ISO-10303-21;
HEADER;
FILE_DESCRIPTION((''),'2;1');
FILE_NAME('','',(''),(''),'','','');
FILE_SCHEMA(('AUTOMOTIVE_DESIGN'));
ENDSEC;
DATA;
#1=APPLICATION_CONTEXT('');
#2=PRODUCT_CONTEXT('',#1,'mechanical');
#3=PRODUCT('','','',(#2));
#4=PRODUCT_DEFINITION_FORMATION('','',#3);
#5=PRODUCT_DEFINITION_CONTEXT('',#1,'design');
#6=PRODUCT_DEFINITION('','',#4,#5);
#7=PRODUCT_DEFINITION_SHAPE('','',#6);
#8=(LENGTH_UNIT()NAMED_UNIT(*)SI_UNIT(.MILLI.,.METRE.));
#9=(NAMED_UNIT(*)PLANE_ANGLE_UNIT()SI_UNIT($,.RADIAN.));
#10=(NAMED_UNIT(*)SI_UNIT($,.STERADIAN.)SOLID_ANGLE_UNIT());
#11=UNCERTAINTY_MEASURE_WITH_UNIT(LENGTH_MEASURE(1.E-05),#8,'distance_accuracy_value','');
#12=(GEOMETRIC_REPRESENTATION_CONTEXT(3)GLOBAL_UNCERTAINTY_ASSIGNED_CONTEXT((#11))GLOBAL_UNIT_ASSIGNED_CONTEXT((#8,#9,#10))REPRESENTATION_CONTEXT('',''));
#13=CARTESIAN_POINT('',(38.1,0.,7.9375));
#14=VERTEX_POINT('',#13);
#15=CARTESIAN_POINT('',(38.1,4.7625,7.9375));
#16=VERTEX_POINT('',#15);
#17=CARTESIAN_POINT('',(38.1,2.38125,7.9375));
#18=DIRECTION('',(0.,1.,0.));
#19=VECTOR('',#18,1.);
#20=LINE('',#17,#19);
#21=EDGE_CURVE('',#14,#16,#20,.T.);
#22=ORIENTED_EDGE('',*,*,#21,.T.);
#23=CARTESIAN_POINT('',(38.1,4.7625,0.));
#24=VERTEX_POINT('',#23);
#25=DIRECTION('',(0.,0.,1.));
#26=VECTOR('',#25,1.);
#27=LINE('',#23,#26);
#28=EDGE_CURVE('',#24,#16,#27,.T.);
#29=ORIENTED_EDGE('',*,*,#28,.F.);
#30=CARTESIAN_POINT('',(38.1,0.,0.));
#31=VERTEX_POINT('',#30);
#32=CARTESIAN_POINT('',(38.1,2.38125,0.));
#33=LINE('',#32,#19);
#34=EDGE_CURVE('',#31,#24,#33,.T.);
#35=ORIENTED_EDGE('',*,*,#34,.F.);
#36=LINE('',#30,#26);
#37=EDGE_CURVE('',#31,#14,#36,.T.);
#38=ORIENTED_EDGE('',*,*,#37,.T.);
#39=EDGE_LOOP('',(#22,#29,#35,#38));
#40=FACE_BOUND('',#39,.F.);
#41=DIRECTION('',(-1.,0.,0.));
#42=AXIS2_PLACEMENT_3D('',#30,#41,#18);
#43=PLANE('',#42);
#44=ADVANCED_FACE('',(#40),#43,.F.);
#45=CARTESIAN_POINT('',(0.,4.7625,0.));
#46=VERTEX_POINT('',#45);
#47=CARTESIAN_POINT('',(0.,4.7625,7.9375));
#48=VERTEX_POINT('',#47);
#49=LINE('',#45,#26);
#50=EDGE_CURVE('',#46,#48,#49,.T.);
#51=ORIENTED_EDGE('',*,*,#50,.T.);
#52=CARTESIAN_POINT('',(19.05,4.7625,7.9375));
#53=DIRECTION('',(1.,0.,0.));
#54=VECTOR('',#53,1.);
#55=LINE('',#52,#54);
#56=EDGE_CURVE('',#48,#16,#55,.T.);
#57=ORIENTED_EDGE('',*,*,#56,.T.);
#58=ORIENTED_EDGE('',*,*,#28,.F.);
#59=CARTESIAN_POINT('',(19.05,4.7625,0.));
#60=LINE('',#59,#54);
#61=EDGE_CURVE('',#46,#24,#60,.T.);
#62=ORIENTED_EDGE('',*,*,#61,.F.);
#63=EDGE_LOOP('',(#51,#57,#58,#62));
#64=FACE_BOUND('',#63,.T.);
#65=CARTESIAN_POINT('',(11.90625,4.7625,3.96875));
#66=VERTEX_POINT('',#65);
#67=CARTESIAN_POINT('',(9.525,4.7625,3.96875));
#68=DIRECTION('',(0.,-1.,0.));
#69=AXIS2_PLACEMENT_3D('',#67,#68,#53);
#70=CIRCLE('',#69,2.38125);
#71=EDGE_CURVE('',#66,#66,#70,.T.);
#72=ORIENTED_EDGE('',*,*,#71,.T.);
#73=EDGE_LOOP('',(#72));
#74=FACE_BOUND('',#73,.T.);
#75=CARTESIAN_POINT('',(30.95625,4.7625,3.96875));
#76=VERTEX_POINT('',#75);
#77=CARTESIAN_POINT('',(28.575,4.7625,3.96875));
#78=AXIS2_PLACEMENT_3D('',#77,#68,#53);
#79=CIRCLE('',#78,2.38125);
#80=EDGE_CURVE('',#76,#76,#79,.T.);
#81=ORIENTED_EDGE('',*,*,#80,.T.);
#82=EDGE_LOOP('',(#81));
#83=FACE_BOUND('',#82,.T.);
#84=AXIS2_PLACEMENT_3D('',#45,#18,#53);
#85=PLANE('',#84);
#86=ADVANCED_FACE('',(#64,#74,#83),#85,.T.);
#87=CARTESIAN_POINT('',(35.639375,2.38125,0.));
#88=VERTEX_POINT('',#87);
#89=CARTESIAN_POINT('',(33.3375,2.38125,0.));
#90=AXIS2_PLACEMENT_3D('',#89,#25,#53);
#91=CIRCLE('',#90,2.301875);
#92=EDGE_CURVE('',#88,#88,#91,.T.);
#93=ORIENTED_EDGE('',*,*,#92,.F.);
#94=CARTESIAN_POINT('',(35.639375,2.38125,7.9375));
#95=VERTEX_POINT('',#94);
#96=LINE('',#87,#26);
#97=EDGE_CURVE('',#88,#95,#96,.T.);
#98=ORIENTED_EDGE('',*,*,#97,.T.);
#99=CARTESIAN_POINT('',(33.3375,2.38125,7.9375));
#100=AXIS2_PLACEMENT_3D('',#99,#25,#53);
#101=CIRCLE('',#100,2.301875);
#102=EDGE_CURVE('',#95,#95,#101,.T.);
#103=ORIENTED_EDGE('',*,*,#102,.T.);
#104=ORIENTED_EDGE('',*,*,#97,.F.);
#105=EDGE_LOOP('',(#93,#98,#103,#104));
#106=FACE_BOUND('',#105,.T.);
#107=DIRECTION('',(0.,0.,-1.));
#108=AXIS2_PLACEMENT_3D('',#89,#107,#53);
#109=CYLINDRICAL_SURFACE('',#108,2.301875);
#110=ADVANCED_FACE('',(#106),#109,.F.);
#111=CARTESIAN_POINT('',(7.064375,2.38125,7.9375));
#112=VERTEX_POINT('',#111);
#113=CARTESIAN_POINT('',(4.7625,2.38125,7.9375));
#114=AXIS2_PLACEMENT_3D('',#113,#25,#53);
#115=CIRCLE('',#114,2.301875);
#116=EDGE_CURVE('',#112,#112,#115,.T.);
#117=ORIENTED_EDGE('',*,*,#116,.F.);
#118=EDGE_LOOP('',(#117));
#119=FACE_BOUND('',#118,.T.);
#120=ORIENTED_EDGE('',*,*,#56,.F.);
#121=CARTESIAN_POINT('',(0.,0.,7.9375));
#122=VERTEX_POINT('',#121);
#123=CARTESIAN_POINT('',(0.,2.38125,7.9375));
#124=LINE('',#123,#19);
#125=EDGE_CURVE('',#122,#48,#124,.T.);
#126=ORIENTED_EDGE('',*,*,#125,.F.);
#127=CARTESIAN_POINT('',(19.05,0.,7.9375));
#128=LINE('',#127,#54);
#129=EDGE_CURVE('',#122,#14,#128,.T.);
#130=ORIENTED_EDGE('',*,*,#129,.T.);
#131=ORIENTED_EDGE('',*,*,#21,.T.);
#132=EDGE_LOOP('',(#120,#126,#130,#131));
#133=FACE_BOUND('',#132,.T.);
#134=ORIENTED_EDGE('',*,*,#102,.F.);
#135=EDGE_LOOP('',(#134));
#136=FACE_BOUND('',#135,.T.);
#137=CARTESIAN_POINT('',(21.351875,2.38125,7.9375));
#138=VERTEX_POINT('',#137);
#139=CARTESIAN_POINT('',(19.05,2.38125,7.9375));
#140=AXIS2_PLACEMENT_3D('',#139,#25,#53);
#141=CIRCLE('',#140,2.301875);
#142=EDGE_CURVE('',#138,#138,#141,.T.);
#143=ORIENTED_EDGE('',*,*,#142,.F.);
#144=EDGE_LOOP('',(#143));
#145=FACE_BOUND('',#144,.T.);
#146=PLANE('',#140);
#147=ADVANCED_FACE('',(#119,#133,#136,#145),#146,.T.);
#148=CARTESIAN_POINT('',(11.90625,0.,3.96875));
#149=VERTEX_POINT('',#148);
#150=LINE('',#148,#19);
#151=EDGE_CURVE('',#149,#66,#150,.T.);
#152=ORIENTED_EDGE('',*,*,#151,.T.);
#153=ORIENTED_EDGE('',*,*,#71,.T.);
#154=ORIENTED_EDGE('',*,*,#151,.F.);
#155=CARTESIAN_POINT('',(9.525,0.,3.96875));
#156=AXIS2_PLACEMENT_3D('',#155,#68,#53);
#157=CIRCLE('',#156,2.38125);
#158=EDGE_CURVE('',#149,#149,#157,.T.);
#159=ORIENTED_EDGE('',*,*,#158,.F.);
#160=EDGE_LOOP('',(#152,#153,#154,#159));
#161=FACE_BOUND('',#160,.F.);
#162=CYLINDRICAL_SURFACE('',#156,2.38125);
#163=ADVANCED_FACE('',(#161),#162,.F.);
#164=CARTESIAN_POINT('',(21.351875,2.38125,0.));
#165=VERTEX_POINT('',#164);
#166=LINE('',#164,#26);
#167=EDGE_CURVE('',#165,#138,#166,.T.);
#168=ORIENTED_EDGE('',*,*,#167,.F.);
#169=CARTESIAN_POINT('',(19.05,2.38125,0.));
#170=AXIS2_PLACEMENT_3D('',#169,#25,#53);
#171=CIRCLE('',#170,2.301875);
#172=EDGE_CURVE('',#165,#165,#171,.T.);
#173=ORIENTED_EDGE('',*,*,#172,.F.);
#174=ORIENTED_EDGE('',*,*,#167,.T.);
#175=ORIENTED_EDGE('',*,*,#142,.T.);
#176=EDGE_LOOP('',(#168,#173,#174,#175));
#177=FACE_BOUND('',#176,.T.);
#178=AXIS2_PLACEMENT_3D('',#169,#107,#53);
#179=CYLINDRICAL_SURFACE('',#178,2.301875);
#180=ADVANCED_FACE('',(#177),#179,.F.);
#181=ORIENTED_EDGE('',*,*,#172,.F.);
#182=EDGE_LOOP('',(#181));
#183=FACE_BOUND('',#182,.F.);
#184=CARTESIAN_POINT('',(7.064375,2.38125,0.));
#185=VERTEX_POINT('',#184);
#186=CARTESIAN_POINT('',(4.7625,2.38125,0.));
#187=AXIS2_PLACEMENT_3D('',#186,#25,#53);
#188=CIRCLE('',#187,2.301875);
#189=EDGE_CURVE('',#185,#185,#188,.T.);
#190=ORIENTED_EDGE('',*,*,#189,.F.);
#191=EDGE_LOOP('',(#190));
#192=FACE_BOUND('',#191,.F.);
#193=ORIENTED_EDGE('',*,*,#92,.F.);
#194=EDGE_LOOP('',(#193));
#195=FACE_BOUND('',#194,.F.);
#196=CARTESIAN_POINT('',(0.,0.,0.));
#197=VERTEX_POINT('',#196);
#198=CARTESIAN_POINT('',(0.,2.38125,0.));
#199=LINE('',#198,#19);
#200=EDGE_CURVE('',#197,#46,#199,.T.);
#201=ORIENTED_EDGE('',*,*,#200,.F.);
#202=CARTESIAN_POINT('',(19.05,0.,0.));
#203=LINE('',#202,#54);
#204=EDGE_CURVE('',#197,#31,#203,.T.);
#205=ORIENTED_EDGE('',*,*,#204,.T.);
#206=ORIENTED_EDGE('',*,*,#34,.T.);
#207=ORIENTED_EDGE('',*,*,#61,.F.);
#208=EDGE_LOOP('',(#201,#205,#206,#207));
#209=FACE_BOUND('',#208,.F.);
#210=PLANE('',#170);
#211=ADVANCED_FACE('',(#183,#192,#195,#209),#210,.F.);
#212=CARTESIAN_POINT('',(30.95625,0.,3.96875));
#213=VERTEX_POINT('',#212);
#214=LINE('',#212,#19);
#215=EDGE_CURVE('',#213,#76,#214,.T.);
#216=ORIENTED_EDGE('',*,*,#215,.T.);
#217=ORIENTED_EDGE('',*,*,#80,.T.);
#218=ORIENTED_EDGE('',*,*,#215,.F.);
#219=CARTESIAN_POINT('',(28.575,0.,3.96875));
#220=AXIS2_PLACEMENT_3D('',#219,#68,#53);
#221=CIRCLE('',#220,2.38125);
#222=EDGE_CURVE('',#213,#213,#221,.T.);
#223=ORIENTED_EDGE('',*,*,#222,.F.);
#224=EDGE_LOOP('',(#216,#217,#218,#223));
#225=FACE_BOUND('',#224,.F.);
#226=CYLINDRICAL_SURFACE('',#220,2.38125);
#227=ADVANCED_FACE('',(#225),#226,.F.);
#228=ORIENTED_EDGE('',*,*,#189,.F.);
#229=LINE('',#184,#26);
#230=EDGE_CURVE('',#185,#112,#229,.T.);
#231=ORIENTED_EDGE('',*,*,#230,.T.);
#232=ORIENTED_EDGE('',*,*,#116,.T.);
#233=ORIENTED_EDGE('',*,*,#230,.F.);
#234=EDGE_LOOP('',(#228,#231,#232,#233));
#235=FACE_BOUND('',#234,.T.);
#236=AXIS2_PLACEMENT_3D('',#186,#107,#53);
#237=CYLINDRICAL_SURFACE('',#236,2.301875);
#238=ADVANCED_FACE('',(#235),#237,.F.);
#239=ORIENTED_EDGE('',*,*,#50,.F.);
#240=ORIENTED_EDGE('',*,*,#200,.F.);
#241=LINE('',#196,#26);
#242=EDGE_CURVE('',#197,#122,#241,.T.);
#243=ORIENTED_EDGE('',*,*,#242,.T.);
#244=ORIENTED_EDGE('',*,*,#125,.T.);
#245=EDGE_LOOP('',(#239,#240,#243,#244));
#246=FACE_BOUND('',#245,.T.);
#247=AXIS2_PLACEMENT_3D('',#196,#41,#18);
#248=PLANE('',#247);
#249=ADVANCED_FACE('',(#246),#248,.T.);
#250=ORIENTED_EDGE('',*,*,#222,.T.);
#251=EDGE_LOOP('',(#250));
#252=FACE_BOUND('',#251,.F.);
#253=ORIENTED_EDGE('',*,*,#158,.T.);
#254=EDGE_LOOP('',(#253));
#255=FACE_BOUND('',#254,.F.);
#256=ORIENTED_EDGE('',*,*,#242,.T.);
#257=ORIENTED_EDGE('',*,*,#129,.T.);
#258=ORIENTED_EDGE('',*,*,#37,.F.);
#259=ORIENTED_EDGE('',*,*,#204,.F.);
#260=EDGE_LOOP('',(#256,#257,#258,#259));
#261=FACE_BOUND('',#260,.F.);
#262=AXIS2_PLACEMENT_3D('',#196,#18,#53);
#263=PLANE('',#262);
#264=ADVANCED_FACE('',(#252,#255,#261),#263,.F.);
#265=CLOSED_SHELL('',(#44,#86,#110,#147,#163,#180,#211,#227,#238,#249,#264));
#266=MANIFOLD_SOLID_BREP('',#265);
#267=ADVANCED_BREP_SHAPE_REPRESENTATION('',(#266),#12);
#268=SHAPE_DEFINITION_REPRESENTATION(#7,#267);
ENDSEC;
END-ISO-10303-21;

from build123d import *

# Parameters (mm, degrees)
F0_W     = 38.1
F0_H     = 4.7625
F0_R     = 2.301875
F1_DEPTH = 7.9375
F2_R     = 2.38125
F3_DEPTH = 25.4


with BuildPart() as f1:
    # F0 (on Top) → F1 (new body)
    with BuildSketch(Plane.XY):
        with Locations((19.05, 2.38125)):
            Rectangle(F0_W, F0_H)
        with Locations((4.7625, 2.38125)):
            Circle(F0_R, mode=Mode.SUBTRACT)
        with Locations((19.05, 2.38125)):
            Circle(F0_R, mode=Mode.SUBTRACT)
        with Locations((33.3375, 2.38125)):
            Circle(F0_R, mode=Mode.SUBTRACT)
    extrude(amount=F1_DEPTH)

    # F2 (on face) → F3 (cut)
    with BuildSketch(Plane.XZ):
        with Locations((28.575, 3.96875)):
            Circle(F2_R)
        with Locations((9.525, 3.96875)):
            Circle(F2_R)
    extrude(amount=-F3_DEPTH, mode=Mode.SUBTRACT)


solid = f1.part
